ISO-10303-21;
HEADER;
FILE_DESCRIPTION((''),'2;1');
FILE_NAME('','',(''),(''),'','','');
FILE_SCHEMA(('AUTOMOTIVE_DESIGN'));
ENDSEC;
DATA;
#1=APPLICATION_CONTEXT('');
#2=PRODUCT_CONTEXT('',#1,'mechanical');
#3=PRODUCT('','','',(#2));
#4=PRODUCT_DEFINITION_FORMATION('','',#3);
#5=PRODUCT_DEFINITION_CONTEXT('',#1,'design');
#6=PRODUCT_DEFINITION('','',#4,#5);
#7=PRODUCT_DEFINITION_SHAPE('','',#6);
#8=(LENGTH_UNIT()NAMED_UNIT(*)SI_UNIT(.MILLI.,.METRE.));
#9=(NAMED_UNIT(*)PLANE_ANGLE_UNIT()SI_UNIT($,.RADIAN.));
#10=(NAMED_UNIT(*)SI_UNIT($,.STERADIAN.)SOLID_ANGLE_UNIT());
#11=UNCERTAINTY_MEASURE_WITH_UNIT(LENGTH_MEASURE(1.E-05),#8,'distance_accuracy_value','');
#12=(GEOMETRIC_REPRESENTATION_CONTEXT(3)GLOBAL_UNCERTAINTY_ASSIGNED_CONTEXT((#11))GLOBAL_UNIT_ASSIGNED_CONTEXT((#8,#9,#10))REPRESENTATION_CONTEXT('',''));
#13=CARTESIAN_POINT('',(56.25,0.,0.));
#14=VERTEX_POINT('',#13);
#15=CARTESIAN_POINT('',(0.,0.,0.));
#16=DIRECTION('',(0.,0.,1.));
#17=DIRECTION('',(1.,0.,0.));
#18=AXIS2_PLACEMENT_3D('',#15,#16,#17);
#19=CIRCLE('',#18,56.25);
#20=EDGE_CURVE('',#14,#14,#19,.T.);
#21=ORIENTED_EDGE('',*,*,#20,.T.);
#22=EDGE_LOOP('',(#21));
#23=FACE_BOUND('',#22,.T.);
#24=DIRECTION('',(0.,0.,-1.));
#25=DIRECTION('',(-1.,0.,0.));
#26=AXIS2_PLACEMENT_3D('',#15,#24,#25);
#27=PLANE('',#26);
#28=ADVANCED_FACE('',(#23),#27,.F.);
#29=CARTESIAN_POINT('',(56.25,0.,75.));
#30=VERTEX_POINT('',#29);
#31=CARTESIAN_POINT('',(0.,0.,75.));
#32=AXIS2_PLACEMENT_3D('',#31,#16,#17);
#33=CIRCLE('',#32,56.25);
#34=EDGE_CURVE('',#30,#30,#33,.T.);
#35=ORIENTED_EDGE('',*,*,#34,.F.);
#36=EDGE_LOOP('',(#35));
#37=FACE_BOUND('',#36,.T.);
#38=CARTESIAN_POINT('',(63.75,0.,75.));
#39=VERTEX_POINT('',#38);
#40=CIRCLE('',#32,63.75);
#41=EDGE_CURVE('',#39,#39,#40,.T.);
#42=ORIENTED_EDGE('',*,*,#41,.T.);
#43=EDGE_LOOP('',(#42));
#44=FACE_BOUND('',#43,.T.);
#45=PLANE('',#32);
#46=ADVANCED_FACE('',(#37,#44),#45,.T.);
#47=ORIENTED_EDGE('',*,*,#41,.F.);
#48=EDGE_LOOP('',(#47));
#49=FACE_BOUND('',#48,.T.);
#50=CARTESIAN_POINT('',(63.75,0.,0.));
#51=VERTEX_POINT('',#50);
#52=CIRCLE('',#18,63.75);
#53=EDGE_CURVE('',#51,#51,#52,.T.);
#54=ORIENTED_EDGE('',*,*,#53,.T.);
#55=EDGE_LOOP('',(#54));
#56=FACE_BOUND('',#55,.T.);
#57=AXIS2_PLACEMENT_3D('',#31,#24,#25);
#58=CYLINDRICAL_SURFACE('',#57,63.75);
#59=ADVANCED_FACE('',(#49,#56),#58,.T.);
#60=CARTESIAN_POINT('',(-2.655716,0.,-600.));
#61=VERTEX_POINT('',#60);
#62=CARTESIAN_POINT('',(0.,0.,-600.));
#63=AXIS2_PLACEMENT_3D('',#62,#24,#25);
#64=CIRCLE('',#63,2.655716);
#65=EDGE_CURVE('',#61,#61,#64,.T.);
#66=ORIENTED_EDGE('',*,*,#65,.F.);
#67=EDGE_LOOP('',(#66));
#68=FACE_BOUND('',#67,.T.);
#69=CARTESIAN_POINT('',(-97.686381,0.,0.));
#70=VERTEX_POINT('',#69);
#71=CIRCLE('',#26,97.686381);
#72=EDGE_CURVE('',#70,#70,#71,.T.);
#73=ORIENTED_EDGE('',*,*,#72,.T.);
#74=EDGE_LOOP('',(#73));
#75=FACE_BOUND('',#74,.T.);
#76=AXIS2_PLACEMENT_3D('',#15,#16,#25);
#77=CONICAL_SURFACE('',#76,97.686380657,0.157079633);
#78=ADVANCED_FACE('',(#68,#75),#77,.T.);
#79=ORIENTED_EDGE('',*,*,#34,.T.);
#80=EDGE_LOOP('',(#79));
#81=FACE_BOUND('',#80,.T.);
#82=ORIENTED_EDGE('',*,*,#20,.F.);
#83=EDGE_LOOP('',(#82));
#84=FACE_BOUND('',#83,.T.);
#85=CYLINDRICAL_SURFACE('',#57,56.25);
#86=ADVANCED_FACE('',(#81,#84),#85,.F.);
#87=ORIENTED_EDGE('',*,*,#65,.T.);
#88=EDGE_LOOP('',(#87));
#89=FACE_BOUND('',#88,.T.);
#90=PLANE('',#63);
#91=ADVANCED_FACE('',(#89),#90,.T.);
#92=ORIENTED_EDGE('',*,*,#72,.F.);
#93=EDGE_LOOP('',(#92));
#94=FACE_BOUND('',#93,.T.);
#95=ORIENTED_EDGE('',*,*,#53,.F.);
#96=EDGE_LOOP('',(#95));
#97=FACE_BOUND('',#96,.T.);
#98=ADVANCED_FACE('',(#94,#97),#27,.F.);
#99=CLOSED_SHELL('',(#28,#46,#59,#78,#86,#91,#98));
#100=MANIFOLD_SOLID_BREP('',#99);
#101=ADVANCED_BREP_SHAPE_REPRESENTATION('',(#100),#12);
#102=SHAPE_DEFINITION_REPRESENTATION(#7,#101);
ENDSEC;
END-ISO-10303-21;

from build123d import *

# Parameters (mm, degrees)
SKETCH1_R           = 8.5
SKETCH1_R_2         = 7.5
EXTRUDE_THIN1_DEPTH = 10
SKETCH2_R           = 13.024850754
BOSS_EXTRUDE1_DEPTH = 80
BOSS_EXTRUDE1_TAPER = 9
SCALE1_SCALE        = 10
SCALE2_SCALE        = 0.75


with BuildPart() as part:
    # Sketch1 → Extrude-Thin1 (new body)
    with BuildSketch(Plane.XY):
        Circle(SKETCH1_R)
        Circle(SKETCH1_R_2, mode=Mode.SUBTRACT)
    extrude(amount=EXTRUDE_THIN1_DEPTH)

    # Sketch2 → Boss-Extrude1 (add)
    with BuildSketch(Plane(origin=(0, 0, 0), x_dir=(-1, 0, 0), z_dir=(0, 0, -1))):
        Circle(SKETCH2_R)
    extrude(amount=BOSS_EXTRUDE1_DEPTH, taper=BOSS_EXTRUDE1_TAPER)


with BuildPart() as part_1:
    # Scale1: scaled about (0, 0, 0)
    add(part.part.scale(SCALE1_SCALE))


with BuildPart() as part_2:
    # Scale2: scaled about (0, 0, 0)
    add(part_1.part.scale(SCALE2_SCALE))


solid = part_2.part
